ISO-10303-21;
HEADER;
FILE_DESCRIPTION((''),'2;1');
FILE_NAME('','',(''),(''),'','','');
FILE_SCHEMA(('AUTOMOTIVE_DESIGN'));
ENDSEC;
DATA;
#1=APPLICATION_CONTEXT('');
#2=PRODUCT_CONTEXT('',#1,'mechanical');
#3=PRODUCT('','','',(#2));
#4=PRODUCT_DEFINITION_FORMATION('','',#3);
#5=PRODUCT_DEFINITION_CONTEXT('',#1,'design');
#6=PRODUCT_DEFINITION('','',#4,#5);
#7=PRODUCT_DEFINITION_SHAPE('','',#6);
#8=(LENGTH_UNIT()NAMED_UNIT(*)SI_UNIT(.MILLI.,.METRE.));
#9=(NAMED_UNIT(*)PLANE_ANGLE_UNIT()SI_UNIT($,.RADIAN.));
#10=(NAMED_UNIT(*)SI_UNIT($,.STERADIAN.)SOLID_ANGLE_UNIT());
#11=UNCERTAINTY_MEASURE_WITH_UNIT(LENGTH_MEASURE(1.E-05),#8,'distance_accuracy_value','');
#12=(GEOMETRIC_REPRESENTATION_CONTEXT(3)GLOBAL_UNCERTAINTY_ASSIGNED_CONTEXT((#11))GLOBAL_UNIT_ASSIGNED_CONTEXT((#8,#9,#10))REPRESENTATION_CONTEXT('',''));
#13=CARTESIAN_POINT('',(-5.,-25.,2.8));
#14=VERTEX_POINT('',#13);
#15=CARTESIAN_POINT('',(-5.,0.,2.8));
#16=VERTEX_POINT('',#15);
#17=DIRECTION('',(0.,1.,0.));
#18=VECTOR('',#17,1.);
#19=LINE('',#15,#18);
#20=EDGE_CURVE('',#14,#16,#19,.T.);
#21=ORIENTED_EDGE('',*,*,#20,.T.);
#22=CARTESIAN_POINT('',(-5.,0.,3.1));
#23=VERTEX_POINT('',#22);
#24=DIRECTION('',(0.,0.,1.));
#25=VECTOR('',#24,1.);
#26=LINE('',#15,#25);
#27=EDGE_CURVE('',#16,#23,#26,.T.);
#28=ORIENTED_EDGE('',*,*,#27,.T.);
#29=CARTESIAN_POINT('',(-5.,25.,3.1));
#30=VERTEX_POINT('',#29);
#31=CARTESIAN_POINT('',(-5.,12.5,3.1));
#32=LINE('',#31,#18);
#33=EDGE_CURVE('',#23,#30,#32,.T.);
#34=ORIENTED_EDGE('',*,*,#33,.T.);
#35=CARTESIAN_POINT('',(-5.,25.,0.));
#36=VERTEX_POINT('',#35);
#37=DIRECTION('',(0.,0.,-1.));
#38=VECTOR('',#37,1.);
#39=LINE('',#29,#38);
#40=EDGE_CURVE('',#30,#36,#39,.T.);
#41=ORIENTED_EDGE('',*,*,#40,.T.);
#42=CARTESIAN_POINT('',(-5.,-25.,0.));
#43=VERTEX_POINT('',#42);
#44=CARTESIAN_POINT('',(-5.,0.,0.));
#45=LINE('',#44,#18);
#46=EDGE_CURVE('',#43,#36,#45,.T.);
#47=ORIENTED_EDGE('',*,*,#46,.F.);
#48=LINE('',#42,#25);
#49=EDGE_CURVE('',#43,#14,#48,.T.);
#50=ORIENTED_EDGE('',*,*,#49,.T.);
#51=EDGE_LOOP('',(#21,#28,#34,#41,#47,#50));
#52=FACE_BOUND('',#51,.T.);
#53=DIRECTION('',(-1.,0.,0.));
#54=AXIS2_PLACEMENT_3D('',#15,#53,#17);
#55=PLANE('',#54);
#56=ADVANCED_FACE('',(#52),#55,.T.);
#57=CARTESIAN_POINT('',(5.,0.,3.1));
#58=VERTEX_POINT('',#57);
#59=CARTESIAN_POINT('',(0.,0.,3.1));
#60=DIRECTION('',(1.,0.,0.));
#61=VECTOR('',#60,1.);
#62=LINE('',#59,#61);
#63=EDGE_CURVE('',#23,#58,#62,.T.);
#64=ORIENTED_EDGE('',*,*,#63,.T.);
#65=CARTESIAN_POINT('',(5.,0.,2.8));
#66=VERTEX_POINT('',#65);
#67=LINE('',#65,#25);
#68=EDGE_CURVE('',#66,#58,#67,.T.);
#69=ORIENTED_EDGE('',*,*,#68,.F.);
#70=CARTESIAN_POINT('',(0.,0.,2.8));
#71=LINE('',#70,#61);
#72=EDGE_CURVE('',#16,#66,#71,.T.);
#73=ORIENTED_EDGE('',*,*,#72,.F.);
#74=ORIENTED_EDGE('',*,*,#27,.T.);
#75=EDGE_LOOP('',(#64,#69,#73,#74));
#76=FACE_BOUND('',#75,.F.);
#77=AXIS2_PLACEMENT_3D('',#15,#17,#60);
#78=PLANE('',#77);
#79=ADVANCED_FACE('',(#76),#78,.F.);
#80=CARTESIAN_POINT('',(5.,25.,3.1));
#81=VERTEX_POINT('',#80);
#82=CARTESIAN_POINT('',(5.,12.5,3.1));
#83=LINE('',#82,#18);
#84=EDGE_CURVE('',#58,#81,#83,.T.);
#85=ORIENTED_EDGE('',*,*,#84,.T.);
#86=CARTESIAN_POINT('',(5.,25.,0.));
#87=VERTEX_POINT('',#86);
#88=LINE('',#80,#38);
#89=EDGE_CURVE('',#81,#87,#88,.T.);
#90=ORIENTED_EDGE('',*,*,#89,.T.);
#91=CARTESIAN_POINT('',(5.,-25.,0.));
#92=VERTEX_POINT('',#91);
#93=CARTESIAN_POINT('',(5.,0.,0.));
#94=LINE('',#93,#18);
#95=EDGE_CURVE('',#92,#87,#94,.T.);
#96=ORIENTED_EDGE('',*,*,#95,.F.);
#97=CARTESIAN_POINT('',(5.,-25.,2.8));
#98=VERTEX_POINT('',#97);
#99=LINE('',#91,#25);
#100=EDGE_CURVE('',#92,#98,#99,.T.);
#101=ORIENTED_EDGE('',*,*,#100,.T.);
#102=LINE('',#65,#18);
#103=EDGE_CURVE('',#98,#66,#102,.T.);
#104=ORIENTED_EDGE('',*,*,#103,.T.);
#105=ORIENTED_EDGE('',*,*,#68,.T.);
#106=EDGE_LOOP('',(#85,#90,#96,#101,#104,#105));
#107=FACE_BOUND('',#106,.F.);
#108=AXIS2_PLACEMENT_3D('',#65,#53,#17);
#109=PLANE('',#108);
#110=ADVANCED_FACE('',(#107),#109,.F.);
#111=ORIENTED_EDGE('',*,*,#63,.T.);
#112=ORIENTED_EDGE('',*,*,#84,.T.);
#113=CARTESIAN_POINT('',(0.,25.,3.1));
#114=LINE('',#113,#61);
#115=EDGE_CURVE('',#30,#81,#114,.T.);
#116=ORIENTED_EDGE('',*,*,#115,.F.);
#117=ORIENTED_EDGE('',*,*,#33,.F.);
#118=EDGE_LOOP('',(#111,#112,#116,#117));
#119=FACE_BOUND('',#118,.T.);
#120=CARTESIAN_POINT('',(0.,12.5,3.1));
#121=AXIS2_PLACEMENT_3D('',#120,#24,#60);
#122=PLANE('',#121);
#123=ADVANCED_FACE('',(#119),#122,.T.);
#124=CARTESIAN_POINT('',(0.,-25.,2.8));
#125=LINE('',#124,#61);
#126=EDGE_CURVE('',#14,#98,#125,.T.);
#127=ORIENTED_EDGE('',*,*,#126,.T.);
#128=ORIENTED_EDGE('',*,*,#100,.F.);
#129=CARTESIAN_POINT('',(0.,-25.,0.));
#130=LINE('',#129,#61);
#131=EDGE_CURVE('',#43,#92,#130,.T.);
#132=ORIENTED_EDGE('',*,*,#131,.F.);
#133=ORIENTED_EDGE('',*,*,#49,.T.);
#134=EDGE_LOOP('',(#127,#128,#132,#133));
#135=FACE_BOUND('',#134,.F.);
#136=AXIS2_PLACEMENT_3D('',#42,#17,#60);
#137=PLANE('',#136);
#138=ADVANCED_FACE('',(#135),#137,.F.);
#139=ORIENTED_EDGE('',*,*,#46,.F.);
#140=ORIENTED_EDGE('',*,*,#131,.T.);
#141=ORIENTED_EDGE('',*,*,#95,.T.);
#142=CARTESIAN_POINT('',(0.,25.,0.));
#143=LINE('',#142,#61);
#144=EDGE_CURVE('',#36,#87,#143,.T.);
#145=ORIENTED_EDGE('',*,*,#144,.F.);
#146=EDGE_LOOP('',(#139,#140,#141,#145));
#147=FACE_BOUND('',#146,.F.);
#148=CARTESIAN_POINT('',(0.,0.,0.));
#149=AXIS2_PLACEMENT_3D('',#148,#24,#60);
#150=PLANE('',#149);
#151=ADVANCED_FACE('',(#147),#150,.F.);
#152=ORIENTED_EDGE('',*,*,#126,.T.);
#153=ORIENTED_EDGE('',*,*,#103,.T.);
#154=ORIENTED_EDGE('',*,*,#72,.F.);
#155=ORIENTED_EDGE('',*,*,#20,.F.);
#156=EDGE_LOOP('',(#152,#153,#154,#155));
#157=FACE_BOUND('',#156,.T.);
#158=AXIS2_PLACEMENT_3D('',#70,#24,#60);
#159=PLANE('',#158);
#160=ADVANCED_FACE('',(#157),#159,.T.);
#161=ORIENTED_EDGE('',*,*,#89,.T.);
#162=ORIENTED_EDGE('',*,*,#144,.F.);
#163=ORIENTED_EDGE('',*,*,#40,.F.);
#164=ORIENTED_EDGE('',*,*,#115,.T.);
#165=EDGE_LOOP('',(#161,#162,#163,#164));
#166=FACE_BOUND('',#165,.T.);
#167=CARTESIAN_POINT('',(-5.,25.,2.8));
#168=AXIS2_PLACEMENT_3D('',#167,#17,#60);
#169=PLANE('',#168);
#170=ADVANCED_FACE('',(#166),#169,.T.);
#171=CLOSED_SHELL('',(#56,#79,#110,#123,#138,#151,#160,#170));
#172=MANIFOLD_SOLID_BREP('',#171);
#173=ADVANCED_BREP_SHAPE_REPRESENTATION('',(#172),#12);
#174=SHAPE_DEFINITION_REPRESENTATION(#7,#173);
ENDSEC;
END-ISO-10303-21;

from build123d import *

# Parameters (mm, degrees)
SKETCH_W     = 10
SKETCH_H     = 50
PAD_DEPTH    = 2.8
SKETCH001_W  = 10
SKETCH001_H  = 25
PAD001_DEPTH = 0.3


with BuildPart() as part:
    # Sketch (on XY_Plane of Origin) → Pad (new body)
    with BuildSketch(Plane.XY):
        Rectangle(SKETCH_W, SKETCH_H)
    extrude(amount=PAD_DEPTH)

    # Sketch001 (on Face6 of Pad) → Pad001 (join)
    with BuildSketch(Plane.XY.offset(2.8)):
        with Locations((0, 12.5)):
            Rectangle(SKETCH001_W, SKETCH001_H)
    extrude(amount=PAD001_DEPTH)


solid = part.part
